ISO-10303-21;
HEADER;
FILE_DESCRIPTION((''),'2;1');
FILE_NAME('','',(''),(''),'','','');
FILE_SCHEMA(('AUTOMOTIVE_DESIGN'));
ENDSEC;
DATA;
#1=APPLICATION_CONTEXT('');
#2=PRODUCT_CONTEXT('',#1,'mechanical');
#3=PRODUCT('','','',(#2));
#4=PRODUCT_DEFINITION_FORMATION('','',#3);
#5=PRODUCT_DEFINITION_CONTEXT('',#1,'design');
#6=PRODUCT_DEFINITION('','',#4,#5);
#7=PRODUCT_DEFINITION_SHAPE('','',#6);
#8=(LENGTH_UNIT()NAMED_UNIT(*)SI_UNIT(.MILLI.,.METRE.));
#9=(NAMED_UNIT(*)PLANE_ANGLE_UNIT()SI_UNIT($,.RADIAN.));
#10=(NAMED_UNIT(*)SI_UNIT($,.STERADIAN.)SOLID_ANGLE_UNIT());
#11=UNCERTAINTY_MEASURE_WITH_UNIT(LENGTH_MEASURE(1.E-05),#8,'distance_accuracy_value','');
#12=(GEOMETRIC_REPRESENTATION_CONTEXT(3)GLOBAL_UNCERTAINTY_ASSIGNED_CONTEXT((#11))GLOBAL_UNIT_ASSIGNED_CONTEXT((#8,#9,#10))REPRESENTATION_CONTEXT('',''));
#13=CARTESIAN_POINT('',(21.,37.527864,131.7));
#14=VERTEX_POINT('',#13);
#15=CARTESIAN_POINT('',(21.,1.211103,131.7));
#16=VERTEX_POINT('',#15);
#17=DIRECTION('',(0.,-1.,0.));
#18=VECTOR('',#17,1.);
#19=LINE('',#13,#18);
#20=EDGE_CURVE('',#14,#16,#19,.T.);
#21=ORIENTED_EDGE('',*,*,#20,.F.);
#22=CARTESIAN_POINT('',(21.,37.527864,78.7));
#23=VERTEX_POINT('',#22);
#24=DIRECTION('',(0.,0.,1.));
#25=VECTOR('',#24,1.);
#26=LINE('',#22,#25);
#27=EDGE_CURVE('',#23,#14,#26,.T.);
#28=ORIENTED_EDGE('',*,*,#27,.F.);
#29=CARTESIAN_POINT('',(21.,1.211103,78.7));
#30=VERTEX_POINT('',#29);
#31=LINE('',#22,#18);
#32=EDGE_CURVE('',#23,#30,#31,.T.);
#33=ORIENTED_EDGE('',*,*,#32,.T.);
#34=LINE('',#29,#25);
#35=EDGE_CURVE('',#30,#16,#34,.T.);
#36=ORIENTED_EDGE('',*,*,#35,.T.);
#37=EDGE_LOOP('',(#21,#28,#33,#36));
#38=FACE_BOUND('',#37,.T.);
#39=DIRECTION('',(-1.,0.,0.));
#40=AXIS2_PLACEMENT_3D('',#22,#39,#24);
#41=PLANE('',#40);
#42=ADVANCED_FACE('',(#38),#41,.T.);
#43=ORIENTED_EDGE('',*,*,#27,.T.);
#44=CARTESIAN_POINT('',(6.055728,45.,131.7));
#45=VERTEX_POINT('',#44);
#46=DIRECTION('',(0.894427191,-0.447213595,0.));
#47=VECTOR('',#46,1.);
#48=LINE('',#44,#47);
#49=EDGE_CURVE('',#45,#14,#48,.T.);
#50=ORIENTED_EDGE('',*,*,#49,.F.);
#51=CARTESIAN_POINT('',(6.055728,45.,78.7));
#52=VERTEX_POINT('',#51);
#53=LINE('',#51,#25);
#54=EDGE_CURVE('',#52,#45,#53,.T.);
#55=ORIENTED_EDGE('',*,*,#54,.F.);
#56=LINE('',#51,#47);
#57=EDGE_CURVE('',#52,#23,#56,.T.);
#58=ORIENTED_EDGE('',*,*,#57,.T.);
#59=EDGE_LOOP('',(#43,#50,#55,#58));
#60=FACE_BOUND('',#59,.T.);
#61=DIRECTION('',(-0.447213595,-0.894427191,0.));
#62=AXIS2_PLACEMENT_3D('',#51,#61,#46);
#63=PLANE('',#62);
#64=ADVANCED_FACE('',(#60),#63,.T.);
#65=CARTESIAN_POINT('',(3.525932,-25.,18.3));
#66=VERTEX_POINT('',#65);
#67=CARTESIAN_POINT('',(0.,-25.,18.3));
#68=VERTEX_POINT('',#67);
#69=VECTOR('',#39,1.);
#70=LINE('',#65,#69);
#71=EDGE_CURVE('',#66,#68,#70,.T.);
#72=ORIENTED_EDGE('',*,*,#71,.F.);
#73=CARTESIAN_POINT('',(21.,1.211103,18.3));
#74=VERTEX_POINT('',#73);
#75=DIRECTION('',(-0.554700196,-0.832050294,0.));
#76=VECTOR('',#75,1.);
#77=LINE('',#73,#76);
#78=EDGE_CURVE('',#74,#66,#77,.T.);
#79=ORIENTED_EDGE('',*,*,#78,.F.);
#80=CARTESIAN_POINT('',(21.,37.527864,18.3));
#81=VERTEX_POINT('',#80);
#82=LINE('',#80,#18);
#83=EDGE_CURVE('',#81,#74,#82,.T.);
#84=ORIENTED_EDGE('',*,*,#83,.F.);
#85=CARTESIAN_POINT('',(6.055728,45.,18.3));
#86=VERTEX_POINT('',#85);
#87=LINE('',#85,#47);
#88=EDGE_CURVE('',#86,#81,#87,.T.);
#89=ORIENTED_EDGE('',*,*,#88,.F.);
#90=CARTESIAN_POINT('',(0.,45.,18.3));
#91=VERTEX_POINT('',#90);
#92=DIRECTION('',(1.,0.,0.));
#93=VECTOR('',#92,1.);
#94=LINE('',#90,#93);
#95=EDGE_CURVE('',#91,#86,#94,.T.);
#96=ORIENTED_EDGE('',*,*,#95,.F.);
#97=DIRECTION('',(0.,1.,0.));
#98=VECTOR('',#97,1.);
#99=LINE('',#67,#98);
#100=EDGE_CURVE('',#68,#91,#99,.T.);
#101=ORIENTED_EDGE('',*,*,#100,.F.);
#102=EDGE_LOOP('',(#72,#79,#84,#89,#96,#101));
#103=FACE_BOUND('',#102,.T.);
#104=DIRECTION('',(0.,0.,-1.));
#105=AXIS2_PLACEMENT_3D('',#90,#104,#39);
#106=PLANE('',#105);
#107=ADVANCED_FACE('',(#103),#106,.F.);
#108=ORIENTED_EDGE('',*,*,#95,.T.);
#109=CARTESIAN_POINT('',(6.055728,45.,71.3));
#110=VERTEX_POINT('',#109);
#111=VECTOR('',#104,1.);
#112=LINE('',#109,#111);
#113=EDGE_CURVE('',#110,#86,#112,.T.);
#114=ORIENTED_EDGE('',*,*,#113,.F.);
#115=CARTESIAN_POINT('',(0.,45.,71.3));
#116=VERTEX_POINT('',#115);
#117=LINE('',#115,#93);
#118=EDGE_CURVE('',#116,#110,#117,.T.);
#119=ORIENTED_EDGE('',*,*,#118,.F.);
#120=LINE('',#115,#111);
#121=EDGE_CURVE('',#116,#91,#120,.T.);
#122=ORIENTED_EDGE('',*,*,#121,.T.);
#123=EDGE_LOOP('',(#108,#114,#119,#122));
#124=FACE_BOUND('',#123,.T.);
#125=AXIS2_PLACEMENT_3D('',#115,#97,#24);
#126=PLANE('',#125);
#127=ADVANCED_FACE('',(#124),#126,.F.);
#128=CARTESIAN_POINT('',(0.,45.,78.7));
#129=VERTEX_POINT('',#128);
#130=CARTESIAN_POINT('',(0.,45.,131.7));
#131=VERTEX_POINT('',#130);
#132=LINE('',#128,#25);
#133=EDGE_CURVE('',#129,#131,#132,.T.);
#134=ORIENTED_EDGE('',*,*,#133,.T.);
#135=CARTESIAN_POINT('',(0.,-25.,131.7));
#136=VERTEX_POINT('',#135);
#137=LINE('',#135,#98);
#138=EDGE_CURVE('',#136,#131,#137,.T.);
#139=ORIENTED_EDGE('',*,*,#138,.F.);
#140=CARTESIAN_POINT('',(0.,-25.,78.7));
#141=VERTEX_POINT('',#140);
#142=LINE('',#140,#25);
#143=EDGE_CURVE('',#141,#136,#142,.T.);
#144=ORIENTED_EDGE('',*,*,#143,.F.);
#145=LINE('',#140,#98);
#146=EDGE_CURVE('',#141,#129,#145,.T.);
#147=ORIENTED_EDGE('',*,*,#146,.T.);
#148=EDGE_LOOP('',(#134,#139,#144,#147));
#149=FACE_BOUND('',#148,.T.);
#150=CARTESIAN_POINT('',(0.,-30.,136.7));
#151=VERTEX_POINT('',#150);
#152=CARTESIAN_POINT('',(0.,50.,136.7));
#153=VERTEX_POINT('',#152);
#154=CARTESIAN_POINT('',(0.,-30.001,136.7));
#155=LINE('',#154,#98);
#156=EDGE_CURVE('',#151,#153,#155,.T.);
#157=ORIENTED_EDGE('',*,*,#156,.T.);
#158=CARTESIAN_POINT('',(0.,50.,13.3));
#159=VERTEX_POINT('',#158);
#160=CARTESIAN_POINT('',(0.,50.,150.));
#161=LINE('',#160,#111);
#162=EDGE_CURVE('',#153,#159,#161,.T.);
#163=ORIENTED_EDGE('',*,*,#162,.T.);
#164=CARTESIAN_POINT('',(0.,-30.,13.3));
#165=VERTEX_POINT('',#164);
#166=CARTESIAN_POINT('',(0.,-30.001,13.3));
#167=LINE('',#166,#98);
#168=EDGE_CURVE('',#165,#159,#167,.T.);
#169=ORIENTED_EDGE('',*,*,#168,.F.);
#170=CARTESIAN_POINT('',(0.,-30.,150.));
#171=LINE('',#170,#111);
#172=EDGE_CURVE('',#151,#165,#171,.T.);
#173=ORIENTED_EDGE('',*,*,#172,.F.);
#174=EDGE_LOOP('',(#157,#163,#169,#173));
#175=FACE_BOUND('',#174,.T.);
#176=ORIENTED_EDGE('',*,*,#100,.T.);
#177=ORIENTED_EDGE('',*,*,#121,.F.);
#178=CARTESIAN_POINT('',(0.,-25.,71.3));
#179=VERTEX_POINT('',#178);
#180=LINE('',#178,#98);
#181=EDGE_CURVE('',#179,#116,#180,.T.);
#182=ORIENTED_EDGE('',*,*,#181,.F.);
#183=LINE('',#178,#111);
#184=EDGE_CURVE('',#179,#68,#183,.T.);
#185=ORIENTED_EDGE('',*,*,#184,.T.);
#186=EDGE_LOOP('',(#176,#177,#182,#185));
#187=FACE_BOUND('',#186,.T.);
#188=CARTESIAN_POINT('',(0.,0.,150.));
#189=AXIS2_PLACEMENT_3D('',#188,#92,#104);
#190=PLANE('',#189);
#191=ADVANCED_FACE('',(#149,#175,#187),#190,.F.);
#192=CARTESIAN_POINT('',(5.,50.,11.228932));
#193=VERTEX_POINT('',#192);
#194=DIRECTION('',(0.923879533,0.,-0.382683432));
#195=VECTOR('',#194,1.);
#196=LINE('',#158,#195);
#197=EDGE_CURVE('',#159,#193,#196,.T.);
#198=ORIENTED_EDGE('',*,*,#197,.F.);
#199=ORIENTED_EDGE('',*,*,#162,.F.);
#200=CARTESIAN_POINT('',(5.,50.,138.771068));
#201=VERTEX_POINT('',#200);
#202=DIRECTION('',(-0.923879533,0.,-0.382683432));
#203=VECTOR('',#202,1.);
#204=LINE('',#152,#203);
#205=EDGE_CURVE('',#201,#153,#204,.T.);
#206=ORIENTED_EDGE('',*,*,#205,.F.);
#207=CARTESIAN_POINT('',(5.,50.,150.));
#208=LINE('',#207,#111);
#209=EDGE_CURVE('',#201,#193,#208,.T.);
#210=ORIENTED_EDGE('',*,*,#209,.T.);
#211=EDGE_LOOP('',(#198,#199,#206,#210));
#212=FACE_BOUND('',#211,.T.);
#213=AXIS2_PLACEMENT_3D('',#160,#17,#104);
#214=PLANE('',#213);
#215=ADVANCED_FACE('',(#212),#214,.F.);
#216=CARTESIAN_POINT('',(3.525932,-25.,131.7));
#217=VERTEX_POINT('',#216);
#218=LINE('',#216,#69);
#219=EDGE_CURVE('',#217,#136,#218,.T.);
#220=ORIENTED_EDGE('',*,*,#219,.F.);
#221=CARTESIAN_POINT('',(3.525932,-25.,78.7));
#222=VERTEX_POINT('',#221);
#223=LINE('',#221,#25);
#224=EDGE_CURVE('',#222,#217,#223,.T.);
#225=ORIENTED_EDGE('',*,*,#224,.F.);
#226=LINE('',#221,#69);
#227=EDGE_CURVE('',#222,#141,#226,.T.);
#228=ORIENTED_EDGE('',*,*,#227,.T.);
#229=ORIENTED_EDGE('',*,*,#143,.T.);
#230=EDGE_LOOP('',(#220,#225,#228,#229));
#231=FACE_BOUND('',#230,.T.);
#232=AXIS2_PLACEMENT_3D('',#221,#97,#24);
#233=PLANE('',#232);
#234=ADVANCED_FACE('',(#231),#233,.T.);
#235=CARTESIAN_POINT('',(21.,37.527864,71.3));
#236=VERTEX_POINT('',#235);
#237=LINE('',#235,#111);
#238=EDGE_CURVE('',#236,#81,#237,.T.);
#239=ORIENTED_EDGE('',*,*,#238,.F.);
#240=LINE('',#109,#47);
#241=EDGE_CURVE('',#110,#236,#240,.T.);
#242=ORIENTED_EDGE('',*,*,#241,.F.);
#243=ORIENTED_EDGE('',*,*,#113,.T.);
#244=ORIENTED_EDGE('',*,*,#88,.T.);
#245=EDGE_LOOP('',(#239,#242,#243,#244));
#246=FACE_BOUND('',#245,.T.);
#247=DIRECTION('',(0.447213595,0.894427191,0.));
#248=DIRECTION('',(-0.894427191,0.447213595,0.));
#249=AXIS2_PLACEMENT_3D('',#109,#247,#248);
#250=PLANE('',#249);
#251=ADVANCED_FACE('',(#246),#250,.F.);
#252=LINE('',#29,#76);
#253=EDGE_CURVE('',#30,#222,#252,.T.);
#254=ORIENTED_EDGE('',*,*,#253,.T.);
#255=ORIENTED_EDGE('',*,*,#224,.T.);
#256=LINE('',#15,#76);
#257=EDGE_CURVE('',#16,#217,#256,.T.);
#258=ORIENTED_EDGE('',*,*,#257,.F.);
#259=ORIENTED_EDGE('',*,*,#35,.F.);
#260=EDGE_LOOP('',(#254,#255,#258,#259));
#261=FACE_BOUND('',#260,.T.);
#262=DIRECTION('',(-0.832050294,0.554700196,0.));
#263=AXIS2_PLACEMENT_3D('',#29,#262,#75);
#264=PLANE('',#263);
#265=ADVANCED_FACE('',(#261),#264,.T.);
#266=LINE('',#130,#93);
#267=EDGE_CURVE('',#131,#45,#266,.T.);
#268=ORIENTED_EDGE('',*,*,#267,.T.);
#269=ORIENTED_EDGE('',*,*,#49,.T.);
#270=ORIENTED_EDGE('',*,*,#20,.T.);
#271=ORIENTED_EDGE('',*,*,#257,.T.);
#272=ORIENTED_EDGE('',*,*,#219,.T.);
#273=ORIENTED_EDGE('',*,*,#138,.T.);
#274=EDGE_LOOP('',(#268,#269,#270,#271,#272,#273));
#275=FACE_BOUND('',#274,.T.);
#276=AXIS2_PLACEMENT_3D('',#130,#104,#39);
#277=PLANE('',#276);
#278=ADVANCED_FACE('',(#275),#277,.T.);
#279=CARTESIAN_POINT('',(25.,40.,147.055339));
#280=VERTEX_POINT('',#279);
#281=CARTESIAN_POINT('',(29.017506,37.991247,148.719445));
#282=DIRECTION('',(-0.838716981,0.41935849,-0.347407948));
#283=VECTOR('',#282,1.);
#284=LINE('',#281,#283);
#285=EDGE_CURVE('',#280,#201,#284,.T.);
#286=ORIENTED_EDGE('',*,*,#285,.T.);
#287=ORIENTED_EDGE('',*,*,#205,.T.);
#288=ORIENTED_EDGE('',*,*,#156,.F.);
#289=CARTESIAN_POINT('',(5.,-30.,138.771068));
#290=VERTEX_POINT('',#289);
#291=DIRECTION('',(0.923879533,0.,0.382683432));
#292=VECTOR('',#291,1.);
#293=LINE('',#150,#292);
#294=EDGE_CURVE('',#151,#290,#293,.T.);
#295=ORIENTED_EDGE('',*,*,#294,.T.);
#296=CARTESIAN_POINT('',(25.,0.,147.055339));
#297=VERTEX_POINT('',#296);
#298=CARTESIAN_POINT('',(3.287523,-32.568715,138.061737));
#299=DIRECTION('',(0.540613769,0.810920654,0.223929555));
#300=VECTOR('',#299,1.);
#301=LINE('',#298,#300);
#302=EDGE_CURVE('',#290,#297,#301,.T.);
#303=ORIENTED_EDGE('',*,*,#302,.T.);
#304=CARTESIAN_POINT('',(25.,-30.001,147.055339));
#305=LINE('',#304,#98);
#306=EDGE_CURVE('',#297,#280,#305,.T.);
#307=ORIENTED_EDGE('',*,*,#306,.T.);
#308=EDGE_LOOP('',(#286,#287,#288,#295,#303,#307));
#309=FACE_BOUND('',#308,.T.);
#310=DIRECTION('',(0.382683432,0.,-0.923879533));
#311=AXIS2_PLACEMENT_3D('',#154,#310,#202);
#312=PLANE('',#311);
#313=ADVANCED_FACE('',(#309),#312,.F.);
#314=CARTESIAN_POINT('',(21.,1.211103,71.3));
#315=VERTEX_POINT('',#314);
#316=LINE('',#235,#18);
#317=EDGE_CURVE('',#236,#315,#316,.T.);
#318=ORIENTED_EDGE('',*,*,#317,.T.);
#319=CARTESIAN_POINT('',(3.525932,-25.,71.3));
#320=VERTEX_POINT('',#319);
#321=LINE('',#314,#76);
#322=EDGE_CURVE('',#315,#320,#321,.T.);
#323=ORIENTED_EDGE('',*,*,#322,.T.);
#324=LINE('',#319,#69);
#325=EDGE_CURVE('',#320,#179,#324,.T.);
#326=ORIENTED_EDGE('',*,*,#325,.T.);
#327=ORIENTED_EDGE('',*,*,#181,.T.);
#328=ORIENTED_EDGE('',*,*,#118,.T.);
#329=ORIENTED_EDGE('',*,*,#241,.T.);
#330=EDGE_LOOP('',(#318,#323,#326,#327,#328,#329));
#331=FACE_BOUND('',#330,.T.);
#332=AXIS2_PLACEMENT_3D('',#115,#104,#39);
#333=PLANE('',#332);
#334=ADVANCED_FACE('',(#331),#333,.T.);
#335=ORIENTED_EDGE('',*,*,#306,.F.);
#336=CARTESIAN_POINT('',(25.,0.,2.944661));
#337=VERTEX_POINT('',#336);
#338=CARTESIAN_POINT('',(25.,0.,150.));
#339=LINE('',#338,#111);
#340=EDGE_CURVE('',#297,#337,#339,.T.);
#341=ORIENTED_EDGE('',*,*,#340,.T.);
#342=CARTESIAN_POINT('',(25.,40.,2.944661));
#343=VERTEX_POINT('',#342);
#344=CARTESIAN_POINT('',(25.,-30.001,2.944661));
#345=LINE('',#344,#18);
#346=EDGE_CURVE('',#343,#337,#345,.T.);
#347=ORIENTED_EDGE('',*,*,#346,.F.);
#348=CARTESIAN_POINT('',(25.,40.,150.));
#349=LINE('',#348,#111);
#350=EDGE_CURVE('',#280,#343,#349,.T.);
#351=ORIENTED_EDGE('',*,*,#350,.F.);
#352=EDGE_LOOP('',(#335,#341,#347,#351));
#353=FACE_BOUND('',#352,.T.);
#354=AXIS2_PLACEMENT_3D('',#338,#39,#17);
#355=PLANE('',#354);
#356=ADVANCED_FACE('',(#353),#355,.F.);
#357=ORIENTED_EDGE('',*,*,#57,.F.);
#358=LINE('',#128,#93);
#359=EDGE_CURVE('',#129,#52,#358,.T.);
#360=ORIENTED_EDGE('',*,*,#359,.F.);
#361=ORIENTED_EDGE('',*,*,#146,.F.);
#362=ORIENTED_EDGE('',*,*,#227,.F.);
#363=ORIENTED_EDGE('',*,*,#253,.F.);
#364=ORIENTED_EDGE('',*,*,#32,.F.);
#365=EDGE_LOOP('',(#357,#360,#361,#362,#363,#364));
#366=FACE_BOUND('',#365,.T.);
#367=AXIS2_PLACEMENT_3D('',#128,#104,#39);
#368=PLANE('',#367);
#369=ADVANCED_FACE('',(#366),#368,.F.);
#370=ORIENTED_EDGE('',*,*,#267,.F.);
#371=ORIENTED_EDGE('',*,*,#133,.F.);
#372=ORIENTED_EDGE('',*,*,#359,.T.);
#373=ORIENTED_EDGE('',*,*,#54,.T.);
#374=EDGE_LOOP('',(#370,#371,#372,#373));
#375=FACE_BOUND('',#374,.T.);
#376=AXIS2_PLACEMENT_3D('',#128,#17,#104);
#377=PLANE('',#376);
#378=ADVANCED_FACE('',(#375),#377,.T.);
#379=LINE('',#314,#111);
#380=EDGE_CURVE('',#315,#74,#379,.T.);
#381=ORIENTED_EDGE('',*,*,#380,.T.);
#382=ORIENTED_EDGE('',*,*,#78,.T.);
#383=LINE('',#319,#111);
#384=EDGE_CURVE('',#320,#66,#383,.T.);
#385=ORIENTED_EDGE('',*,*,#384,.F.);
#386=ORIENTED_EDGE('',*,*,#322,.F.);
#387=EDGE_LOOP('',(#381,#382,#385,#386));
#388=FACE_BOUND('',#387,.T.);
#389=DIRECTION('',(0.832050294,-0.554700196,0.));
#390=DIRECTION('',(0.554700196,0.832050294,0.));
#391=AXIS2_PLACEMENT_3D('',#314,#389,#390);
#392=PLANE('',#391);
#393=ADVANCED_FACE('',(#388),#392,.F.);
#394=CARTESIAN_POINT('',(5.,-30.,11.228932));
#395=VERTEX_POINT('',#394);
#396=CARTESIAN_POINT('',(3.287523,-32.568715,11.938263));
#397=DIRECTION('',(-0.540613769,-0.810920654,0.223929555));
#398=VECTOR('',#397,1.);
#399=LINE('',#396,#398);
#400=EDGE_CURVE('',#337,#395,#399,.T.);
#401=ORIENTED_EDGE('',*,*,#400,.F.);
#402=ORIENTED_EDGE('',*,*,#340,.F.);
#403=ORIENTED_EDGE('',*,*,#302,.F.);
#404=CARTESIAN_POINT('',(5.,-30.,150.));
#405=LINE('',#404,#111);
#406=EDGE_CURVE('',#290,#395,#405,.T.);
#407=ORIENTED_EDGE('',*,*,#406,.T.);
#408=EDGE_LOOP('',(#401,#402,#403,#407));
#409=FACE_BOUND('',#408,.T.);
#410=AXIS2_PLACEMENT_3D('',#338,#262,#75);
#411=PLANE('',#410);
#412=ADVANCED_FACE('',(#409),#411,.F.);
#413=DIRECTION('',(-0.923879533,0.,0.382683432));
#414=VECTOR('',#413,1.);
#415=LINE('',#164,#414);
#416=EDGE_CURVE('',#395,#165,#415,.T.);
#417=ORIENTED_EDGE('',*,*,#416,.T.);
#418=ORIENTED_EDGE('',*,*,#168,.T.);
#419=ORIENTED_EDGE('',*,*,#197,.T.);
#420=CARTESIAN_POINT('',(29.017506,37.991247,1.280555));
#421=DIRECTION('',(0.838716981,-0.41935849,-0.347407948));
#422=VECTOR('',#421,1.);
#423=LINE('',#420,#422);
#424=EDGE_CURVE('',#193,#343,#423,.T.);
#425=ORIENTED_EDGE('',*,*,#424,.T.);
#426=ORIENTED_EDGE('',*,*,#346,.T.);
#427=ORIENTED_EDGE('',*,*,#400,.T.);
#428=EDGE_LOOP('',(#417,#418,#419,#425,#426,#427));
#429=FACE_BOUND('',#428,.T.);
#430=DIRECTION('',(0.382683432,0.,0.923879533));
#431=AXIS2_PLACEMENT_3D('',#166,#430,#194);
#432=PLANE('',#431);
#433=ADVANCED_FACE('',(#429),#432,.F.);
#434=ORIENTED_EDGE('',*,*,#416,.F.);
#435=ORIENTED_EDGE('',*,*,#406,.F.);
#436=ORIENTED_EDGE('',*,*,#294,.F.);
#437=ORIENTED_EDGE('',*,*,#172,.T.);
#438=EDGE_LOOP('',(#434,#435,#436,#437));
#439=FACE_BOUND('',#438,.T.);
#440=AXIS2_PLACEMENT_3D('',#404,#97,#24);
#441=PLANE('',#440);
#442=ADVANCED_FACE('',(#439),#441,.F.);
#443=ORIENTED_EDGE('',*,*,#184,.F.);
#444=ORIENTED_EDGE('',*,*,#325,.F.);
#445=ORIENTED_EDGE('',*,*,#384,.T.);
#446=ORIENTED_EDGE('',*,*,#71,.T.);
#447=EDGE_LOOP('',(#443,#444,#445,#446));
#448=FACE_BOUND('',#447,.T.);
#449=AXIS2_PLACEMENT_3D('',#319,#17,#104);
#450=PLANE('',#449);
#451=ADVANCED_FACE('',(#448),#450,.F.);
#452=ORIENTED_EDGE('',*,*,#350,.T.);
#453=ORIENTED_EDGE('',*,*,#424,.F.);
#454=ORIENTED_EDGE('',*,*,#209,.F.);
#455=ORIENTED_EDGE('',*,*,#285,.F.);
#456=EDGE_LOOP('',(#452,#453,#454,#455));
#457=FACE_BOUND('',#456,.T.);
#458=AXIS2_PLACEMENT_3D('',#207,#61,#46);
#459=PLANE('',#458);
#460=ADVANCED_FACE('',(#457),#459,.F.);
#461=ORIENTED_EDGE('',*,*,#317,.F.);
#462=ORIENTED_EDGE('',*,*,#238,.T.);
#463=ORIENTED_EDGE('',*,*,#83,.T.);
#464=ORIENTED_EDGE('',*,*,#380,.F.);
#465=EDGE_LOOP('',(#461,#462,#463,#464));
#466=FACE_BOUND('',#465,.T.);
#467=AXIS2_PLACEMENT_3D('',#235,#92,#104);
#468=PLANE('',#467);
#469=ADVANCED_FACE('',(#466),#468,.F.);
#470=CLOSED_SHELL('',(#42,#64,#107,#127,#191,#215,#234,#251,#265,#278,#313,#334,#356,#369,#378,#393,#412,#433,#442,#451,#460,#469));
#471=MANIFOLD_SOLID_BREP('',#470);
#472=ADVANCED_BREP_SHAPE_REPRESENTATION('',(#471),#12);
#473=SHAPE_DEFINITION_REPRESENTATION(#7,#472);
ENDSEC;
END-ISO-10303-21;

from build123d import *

# Parameters (mm, degrees)
EXTRUDE_1_DEPTH     = 150
CUT_EXTRUDE_1_REACH = 173.828
CUT_EXTRUDE_2_DEPTH = 53
CUT_EXTRUDE_3_DEPTH = 53


with BuildPart() as part:
    # 草图1 → 拉伸1 (new body)
    with BuildSketch(Plane.XY):
        Polygon((0, 40), (0, 50), (5, 50), (25, 40), (25, 0), (5, -30), (0, -30), (0, 0), align=None)
    extrude(amount=EXTRUDE_1_DEPTH)

    # 草图2 → 切除-拉伸1 (cut, up to next)
    with BuildSketch(Plane(origin=(0, 50, 0), x_dir=(-1, 0, 0), z_dir=(0, 1, 0)), mode=Mode.PRIVATE) as cut_extrude_1_sk1:
        Polygon((0, 13.3), (-66.261919137, -14.146585575), (0, -14.146585575), align=None)
    cut_extrude_1_tool1 = extrude(cut_extrude_1_sk1.sketch, amount=-CUT_EXTRUDE_1_REACH, mode=Mode.PRIVATE) & part.part
    # 草图2 → 切除-拉伸1 (cut, up to next)
    with BuildSketch(Plane(origin=(0, 50, 0), x_dir=(-1, 0, 0), z_dir=(0, 1, 0)), mode=Mode.PRIVATE) as cut_extrude_1_sk2:
        Polygon((0, 136.7), (-66.261919137, 164.146585575), (0, 164.146585575), align=None)
    cut_extrude_1_tool2 = extrude(cut_extrude_1_sk2.sketch, amount=-CUT_EXTRUDE_1_REACH, mode=Mode.PRIVATE) & part.part
    add(cut_extrude_1_tool1.solids().sort_by_distance((22.087306, 50, -4.997724))[0], mode=Mode.SUBTRACT)
    add(cut_extrude_1_tool2.solids().sort_by_distance((22.087306, 50, 154.997724))[0], mode=Mode.SUBTRACT)

    # 草图4 → 切除-拉伸2 (cut)
    with BuildSketch(Plane(origin=(0, 0, 18.3), x_dir=(-1, 0, 0), z_dir=(0, 0, -1))):
        Polygon((0, 45), (-6.05572809, 45), (-21, 37.527864045), (-21, 1.211102551), (-3.525931633, -25), (0, -25), align=None)
    extrude(amount=-CUT_EXTRUDE_2_DEPTH, mode=Mode.SUBTRACT)

    # 草图5 → 切除-拉伸3 (cut)
    with BuildSketch(Plane(origin=(0, 0, 131.7), x_dir=(-1, 0, 0), z_dir=(0, 0, -1))):
        Polygon((0, 45), (-6.05572809, 45), (-21, 37.527864045), (-21, 1.211102551), (-3.525931633, -25), (0, -25), align=None)
    extrude(amount=CUT_EXTRUDE_3_DEPTH, mode=Mode.SUBTRACT)


solid = part.part
